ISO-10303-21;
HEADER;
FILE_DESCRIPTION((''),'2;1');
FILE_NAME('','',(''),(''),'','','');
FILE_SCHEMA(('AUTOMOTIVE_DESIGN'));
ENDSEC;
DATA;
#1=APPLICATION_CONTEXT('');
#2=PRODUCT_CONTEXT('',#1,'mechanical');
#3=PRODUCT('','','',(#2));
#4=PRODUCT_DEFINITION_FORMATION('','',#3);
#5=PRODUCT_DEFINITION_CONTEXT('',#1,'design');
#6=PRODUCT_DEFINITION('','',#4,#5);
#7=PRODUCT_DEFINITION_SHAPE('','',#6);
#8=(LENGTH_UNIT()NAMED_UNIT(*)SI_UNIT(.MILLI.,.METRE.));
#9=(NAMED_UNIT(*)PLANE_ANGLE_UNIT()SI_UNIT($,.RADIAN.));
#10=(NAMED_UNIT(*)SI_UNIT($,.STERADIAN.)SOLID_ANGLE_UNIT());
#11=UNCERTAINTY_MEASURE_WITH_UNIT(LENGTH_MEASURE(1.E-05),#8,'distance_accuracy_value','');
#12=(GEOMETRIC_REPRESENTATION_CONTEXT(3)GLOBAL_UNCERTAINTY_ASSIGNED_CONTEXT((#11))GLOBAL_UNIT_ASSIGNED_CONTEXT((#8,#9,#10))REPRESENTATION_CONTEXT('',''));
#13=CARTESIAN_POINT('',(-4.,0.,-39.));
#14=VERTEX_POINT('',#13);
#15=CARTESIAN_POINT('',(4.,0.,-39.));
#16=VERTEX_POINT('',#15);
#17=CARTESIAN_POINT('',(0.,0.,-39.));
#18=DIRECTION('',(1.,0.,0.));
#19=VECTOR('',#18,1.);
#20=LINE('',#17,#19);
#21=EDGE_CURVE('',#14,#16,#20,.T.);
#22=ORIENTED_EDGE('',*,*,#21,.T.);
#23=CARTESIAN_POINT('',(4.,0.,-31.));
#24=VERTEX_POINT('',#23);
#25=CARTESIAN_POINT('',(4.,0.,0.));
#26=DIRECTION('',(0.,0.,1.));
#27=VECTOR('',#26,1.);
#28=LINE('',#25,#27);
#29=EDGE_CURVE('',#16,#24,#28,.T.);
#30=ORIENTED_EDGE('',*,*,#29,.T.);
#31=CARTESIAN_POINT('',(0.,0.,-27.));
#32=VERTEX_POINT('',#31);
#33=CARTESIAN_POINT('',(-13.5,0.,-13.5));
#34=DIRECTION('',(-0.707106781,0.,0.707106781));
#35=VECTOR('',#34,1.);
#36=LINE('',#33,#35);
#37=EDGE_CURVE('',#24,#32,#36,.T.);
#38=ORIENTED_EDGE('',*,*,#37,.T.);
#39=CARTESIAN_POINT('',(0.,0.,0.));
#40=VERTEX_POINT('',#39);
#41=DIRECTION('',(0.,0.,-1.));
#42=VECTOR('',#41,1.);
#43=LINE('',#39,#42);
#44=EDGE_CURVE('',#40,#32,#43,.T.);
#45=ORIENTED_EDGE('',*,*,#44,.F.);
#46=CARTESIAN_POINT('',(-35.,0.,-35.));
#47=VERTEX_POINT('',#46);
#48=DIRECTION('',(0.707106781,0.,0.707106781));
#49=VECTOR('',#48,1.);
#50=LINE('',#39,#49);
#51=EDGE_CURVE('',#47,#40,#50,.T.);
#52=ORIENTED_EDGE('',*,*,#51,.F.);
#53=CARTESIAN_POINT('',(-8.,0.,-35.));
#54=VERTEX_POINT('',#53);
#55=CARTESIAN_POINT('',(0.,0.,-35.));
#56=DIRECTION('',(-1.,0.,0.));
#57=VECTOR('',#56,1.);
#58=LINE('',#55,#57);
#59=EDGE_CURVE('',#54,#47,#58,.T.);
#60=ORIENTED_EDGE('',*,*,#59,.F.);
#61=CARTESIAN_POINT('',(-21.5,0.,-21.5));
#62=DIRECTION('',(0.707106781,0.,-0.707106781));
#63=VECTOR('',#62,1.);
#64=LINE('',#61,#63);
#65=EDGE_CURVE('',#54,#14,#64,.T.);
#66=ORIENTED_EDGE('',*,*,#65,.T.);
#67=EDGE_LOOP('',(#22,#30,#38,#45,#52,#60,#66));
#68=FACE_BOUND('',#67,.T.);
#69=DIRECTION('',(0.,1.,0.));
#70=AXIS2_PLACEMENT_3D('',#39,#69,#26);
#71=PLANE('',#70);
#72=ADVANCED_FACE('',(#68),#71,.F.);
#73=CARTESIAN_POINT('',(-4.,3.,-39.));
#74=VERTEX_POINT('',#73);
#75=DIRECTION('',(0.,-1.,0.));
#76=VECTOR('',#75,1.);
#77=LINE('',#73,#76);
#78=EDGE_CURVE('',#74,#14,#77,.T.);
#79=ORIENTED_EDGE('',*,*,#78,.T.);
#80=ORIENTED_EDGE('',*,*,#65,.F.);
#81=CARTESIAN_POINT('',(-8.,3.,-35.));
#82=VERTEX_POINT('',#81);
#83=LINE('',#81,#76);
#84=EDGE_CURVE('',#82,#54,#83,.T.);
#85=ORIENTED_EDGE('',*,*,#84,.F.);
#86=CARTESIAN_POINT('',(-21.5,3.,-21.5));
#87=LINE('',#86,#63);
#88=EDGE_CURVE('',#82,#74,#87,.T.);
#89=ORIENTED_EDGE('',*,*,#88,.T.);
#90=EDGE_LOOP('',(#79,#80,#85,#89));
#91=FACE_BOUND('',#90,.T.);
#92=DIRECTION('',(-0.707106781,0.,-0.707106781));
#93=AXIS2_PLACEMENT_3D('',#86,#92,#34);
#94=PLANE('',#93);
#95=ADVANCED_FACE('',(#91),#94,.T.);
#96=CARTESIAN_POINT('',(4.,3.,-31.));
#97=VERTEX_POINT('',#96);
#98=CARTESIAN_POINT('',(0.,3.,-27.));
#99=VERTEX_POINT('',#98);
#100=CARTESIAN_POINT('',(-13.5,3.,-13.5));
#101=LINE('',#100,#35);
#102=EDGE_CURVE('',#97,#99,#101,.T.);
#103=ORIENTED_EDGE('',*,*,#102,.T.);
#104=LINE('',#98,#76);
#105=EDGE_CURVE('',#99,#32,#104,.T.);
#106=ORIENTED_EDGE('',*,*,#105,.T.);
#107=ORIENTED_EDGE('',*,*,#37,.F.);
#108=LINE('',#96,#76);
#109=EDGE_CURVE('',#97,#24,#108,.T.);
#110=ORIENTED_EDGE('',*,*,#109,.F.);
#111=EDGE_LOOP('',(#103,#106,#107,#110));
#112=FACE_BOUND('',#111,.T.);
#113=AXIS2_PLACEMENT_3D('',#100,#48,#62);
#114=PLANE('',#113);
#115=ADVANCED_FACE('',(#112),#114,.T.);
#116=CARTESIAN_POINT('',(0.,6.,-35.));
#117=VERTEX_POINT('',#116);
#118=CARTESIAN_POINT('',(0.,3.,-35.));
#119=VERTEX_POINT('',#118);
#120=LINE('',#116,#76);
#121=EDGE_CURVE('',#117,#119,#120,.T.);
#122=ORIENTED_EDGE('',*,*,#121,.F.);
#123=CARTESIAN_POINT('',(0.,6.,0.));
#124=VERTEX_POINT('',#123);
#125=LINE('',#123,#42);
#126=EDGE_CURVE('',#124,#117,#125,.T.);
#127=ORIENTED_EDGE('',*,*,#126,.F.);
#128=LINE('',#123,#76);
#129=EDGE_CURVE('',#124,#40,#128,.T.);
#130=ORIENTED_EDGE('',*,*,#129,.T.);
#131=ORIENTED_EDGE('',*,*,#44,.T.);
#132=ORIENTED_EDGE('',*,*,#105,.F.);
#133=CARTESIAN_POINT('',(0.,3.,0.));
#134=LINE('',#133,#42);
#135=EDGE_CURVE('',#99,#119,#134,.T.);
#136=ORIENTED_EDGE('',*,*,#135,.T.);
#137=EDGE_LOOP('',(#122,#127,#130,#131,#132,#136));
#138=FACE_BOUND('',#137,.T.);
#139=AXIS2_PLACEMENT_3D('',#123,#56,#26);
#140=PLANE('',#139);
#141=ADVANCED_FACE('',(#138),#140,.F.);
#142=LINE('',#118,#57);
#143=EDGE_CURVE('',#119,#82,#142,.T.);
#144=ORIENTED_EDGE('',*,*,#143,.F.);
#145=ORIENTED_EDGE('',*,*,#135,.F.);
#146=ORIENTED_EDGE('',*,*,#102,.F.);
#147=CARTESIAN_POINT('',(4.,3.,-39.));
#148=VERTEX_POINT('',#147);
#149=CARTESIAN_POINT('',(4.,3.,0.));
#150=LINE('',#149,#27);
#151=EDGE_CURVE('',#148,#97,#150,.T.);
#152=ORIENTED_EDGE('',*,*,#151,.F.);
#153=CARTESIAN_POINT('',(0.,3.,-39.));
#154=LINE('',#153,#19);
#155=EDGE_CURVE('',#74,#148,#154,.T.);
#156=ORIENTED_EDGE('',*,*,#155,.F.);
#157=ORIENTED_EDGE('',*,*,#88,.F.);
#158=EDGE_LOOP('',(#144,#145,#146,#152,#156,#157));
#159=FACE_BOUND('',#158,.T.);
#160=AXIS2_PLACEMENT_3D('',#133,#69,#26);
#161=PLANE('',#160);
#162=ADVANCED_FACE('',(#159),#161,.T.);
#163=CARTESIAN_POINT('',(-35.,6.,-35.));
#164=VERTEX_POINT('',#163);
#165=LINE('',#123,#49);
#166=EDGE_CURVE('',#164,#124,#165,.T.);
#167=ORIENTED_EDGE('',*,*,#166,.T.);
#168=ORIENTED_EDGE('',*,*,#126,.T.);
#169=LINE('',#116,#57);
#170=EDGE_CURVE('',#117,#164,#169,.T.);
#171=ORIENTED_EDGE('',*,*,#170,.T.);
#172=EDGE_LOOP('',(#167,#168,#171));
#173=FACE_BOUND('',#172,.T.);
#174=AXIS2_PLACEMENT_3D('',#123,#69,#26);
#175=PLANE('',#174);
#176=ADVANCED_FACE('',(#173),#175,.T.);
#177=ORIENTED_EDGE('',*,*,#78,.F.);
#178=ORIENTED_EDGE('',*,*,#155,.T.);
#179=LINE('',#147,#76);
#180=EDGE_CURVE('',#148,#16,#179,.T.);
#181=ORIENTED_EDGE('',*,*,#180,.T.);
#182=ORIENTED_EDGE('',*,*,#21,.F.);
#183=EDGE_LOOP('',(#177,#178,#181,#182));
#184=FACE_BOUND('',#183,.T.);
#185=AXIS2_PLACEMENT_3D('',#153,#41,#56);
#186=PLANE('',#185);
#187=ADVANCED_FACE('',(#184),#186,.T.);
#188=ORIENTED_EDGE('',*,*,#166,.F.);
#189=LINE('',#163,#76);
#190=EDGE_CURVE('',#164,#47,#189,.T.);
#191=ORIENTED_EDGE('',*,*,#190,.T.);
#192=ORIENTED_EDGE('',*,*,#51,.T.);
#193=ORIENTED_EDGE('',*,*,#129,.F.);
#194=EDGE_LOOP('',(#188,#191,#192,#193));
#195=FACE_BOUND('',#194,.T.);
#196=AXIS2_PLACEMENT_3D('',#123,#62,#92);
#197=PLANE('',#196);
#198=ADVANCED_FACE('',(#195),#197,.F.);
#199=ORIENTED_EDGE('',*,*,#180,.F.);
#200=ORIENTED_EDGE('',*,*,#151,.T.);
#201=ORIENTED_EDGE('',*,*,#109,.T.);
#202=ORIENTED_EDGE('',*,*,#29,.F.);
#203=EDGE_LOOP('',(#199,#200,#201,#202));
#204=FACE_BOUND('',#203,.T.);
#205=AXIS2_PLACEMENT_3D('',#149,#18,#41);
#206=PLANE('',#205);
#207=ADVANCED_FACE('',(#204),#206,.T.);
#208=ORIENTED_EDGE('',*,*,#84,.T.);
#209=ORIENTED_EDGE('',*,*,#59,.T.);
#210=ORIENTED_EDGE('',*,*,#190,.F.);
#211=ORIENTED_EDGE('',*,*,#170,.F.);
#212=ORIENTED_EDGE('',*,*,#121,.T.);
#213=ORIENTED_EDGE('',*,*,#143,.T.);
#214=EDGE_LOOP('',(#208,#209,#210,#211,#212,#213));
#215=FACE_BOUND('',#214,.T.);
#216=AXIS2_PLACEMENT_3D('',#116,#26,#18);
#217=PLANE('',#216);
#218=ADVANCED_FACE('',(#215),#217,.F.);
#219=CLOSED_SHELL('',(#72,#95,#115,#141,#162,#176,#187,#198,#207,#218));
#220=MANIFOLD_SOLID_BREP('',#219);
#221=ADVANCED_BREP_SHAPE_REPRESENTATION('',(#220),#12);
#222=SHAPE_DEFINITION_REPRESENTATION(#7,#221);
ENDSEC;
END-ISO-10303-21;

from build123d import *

# Parameters (mm, degrees)
BOSS_EXTRUDE1_DEPTH = 6
BOSS_EXTRUDE2_DEPTH = 3


with BuildPart() as part:
    # Sketch1 → Boss-Extrude1 (new body)
    with BuildSketch(Plane(origin=(0, 0, 0), x_dir=(1, 0, 0), z_dir=(0, 1, 0))):
        Polygon((-35, 35), (0, 0), (0, 27), (0, 35), (-8, 35), align=None)
    extrude(amount=BOSS_EXTRUDE1_DEPTH)

    # Sketch1<3> → Boss-Extrude2 (add)
    with BuildSketch(Plane(origin=(0, 0, 0), x_dir=(1, 0, 0), z_dir=(0, 1, 0))):
        Polygon((0, 35), (0, 27), (4, 31), (4, 39), (-4, 39), (-8, 35), align=None)
    extrude(amount=BOSS_EXTRUDE2_DEPTH)


solid = part.part
